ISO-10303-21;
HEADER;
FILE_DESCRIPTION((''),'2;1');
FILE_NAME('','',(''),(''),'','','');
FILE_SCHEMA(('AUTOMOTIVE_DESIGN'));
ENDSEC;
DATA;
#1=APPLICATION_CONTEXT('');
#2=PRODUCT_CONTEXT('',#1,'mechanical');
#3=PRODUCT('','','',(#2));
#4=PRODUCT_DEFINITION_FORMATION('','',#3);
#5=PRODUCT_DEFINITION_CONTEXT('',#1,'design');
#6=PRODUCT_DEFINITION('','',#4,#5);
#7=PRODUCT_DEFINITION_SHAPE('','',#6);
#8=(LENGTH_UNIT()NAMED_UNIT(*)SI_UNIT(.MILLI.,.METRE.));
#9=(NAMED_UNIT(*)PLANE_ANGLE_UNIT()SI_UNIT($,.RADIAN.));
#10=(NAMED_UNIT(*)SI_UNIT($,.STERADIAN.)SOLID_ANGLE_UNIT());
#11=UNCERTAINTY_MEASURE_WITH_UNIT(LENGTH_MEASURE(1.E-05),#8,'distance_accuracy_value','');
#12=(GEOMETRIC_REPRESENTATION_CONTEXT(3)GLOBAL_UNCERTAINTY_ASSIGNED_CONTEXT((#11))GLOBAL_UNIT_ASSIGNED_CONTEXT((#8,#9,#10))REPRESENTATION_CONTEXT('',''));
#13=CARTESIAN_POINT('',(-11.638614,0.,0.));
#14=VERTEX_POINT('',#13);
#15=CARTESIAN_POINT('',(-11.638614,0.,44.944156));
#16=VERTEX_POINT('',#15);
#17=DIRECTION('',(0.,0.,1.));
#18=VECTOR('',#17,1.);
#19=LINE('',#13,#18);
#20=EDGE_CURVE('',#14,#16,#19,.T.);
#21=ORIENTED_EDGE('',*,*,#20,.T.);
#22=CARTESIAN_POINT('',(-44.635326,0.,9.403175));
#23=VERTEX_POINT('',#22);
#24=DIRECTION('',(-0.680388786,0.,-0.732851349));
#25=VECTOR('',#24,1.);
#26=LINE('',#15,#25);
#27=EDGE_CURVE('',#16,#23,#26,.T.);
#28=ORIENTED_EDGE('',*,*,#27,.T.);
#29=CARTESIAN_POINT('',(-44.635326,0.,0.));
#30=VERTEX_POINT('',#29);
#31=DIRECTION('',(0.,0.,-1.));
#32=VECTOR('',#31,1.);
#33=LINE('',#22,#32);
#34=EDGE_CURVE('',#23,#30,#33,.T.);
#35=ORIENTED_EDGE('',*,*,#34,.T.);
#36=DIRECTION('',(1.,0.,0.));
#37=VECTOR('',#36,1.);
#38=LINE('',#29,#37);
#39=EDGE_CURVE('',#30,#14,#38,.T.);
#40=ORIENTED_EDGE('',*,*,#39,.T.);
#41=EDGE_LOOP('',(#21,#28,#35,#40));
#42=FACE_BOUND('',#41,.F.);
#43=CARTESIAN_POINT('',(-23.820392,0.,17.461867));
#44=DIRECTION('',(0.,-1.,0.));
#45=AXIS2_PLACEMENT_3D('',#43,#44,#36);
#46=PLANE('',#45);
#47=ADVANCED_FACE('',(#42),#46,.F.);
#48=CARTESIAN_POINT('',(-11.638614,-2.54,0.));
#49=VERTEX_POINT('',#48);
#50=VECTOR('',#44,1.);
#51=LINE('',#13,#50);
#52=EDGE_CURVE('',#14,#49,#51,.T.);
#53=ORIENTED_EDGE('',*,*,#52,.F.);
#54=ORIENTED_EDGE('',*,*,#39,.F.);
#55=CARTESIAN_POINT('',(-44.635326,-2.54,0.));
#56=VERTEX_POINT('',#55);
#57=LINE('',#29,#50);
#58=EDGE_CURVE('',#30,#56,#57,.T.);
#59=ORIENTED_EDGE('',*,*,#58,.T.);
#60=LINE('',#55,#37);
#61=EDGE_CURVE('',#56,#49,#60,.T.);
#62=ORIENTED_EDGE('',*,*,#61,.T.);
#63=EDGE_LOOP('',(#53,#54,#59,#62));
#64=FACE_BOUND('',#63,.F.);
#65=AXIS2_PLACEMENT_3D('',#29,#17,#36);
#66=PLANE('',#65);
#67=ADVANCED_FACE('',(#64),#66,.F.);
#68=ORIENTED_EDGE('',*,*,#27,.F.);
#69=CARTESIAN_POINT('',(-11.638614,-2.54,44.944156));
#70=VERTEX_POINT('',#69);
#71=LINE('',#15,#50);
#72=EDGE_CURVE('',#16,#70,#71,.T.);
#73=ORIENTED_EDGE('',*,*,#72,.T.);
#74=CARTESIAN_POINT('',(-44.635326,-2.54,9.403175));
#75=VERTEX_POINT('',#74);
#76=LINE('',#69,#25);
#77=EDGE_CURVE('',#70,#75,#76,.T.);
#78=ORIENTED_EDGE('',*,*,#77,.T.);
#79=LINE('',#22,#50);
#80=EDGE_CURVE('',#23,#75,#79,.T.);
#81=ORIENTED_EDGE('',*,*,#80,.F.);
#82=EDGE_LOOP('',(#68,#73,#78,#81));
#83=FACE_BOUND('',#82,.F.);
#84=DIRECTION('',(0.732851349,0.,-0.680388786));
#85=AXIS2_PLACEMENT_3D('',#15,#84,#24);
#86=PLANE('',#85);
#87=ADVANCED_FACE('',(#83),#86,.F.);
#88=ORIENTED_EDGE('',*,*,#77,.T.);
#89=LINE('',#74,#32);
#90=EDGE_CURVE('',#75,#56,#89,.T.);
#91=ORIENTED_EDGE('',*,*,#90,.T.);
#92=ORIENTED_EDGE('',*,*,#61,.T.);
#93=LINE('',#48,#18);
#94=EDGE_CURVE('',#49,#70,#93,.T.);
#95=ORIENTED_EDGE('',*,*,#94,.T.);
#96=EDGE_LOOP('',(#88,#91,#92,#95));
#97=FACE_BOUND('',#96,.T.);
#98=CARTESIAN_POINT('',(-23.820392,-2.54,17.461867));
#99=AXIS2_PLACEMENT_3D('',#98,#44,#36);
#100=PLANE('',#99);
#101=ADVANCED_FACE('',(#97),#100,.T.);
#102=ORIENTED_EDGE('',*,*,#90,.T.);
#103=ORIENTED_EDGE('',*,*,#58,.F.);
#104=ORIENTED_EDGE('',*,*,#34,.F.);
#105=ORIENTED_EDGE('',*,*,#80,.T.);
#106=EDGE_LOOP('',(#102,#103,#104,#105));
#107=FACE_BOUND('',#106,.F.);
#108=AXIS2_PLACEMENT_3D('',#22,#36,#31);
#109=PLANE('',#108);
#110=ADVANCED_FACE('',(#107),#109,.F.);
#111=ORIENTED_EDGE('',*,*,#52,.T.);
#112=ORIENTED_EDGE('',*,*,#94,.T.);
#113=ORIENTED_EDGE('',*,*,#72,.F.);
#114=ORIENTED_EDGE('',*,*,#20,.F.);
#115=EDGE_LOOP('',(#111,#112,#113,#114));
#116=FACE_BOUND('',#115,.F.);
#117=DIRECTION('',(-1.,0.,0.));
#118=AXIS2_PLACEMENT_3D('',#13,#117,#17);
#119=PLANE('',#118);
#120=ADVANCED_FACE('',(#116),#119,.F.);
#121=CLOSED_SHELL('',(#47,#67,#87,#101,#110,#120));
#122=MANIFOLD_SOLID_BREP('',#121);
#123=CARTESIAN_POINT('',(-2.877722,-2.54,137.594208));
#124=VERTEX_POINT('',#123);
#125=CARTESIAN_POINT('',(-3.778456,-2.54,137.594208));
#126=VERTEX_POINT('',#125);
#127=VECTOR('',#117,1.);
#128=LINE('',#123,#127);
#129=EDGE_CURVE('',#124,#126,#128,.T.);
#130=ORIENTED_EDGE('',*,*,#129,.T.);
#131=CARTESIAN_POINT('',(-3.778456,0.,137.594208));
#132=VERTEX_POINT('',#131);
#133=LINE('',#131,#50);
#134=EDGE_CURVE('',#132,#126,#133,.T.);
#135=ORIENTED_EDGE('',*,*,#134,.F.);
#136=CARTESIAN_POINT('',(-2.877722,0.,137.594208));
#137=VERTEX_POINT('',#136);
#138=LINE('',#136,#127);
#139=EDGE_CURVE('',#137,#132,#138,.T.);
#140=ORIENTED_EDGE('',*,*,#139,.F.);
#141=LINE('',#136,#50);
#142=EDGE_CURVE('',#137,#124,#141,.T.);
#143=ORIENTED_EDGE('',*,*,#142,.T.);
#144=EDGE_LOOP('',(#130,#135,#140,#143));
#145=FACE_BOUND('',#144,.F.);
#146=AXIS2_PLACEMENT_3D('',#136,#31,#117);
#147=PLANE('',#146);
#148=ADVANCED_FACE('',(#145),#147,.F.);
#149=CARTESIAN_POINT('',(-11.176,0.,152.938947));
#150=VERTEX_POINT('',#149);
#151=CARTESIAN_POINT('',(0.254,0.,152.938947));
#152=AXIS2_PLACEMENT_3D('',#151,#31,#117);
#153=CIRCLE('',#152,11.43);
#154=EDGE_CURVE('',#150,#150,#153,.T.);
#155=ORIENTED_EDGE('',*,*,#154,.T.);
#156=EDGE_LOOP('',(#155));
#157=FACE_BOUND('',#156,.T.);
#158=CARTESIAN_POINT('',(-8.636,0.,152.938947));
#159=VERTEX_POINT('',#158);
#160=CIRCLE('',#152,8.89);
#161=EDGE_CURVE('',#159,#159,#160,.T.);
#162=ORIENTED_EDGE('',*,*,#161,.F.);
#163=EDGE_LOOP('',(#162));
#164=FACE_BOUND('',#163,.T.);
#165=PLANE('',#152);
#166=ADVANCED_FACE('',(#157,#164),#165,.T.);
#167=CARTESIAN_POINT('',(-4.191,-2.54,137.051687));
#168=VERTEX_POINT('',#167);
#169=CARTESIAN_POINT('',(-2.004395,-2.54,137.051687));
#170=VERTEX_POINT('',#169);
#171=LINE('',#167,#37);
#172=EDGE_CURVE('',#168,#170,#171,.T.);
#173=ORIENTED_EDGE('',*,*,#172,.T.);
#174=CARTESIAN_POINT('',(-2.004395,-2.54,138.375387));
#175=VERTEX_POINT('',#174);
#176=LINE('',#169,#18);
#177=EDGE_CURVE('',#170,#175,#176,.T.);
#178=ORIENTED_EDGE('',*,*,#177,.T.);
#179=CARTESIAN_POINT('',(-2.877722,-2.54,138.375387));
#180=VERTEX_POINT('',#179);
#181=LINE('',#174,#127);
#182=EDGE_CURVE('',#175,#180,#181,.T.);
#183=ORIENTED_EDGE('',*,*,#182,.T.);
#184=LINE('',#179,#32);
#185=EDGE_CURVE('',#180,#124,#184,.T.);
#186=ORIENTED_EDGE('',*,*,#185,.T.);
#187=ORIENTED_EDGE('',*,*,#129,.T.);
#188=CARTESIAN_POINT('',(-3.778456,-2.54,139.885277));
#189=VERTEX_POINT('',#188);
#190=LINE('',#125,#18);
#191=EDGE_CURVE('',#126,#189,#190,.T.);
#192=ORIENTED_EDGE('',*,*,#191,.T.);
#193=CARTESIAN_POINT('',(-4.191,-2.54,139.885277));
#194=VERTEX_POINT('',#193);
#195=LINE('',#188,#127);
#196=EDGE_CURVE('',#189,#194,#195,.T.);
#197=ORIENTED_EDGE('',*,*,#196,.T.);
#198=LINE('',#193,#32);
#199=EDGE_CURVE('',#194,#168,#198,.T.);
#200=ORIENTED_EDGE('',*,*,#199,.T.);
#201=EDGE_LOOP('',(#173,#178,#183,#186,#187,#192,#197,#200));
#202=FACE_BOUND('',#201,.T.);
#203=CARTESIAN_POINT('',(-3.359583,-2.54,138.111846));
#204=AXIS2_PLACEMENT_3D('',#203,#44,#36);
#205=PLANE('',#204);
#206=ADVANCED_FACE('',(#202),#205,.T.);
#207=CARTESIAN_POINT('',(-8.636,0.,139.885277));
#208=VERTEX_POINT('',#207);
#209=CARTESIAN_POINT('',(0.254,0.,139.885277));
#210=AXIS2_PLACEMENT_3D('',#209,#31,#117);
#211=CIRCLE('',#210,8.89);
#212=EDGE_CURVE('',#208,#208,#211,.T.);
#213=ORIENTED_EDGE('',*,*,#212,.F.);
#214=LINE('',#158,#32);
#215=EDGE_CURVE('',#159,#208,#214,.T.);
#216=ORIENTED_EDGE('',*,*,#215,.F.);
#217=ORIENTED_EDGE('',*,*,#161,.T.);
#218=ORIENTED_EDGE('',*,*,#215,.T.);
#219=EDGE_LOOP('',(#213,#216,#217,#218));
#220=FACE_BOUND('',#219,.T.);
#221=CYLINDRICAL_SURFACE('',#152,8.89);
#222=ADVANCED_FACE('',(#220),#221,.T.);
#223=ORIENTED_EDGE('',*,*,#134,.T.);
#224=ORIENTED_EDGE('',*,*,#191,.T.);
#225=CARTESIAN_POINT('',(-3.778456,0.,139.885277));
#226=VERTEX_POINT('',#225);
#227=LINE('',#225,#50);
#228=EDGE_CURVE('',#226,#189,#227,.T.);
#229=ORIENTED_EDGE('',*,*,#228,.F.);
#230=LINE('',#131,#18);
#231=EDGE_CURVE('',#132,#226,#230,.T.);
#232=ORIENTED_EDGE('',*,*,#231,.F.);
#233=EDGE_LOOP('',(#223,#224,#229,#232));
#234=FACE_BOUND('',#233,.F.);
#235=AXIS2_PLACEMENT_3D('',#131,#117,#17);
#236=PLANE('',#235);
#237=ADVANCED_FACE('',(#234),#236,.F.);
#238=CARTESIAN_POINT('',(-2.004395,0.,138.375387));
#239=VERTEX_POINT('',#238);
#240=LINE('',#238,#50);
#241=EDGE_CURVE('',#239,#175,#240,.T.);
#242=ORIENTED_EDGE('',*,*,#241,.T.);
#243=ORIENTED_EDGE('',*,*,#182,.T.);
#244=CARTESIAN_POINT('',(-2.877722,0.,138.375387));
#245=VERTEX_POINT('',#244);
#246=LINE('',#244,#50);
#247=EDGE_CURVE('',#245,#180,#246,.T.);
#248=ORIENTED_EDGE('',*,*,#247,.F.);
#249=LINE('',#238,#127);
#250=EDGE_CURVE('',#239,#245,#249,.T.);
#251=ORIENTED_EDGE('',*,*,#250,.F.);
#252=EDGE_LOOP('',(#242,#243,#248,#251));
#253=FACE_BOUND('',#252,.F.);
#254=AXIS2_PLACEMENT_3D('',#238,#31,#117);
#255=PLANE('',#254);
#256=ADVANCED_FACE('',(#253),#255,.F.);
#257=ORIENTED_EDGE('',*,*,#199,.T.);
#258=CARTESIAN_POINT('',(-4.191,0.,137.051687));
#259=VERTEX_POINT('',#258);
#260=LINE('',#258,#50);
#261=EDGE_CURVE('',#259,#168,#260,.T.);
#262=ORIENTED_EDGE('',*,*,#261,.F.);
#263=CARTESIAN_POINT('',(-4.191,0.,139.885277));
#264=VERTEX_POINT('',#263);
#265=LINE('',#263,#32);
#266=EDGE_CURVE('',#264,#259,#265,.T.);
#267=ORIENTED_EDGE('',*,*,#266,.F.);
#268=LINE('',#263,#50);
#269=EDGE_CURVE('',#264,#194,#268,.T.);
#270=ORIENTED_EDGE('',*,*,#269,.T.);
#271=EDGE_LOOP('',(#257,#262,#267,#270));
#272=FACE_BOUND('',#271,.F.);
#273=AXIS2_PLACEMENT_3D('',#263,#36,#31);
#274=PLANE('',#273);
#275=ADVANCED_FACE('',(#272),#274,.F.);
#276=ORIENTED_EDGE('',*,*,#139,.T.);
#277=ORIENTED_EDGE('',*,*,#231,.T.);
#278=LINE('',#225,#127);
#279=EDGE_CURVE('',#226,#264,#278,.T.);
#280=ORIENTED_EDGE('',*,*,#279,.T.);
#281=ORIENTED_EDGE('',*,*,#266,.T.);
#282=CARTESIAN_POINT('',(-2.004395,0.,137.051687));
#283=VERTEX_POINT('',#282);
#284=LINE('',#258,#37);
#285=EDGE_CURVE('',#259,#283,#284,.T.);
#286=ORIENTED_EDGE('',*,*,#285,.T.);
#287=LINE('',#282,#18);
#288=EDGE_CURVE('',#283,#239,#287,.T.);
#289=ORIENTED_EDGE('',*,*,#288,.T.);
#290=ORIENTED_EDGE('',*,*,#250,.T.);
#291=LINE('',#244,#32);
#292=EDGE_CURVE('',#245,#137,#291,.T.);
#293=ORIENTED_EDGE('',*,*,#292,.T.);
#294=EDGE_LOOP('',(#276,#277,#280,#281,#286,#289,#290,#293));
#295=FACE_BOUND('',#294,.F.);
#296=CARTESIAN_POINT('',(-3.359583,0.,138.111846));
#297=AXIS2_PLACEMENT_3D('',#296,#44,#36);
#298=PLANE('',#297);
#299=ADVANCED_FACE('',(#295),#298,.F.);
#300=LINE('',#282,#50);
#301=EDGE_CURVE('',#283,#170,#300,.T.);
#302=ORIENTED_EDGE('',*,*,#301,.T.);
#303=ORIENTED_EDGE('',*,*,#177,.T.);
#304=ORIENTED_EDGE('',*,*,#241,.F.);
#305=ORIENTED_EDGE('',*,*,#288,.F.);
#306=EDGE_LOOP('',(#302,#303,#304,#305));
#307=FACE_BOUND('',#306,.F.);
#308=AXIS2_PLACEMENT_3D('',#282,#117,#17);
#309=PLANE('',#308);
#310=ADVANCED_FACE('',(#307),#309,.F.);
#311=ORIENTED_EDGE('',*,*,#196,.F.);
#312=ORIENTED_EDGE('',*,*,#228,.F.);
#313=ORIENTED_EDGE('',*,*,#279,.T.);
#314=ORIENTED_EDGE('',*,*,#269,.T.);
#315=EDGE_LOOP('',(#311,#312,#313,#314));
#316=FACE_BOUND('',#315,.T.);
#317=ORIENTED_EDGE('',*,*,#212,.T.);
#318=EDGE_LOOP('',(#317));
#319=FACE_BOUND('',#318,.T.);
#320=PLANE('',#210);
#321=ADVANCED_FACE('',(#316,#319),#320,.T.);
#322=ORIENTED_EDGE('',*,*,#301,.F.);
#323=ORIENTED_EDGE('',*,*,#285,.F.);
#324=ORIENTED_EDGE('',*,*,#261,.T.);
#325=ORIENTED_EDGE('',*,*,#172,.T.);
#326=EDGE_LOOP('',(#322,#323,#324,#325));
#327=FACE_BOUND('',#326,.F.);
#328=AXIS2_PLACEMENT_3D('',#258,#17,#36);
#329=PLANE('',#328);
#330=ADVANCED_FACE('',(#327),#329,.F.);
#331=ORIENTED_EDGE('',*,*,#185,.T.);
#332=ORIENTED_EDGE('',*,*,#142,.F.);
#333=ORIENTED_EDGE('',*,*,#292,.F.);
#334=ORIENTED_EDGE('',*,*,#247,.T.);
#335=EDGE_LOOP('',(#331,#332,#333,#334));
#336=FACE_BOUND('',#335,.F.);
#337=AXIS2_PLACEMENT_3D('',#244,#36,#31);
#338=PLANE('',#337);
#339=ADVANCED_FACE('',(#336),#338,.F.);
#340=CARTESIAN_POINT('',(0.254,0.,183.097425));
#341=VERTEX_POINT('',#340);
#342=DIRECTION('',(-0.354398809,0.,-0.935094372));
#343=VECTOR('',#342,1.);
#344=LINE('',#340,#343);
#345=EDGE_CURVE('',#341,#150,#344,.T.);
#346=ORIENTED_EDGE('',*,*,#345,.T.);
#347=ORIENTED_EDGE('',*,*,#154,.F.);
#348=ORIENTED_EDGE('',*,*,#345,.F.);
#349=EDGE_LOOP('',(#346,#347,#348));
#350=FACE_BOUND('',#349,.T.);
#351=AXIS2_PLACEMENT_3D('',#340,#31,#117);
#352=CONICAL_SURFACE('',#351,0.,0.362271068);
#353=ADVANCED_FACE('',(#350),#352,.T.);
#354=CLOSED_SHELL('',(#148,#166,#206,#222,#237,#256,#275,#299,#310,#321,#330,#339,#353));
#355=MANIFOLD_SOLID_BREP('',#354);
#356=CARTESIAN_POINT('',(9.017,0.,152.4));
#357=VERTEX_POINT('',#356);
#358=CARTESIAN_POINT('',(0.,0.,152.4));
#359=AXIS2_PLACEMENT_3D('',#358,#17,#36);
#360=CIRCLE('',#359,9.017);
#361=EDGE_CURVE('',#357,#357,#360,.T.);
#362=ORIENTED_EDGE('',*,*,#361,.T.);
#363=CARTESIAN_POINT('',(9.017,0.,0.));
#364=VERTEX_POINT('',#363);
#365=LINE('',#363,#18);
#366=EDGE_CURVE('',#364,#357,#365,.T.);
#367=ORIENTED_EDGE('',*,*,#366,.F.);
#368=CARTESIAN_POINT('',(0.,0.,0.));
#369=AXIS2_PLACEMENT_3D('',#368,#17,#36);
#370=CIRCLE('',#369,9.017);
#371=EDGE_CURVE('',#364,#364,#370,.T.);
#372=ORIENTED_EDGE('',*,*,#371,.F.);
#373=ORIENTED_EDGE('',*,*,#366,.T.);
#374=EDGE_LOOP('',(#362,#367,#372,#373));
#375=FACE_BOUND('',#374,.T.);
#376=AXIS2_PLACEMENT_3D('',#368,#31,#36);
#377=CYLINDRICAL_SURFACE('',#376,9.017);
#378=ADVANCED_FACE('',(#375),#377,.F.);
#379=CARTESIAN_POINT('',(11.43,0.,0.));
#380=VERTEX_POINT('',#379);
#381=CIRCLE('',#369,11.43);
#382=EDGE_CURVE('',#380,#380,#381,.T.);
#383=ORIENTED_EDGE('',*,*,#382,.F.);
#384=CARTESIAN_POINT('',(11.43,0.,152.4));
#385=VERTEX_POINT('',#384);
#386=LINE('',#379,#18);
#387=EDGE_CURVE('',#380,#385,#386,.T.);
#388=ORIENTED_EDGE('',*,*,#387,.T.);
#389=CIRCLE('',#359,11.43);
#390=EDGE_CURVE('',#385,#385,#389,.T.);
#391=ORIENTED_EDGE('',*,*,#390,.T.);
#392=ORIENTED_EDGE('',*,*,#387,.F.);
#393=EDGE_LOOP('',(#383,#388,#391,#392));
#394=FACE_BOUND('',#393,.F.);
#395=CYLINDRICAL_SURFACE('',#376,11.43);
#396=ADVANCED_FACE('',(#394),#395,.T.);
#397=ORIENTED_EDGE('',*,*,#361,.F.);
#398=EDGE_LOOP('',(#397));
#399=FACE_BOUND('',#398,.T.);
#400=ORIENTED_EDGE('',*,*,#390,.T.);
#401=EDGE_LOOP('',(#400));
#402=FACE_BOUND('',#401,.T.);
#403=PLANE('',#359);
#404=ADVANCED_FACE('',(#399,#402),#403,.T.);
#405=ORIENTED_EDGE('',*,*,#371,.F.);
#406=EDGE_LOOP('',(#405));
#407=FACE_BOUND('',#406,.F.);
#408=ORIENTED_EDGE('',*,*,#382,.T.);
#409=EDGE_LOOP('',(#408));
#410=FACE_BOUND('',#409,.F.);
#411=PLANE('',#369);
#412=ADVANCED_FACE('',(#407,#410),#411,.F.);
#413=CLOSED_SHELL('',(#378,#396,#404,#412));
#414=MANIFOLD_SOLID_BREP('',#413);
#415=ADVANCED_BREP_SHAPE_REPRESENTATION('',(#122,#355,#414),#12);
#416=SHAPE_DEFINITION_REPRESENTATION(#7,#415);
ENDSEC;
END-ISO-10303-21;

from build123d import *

# Parameters (mm, degrees)
F0_R     = 11.43
F0_R_2   = 9.017
F1_DEPTH = 152.4
F3_DEPTH = 2.54
F6_DEPTH = 2.54


with BuildPart() as f1:
    # F0 (on Top) → F1 (new body)
    with BuildSketch(Plane.XY):
        Circle(F0_R)
        Circle(F0_R_2, mode=Mode.SUBTRACT)
    extrude(amount=F1_DEPTH)


with BuildPart() as f3:
    # F2 (on Front) → F3 (new body)
    with BuildSketch(Plane.XZ):
        Polygon((-44.635326, 0), (-11.638614, 0), (-11.638614, 44.944156), (-44.635326, 9.403175), align=None)
    extrude(amount=F3_DEPTH)


with BuildPart() as f5:
    # F4 (on Front) → F5 (revolve)
    with BuildSketch(Plane.XZ):
        Polygon((0.254, 139.885277), (0.254, 183.097425), (-11.176, 152.938947), (-8.636, 152.938947), (-8.636, 139.885277), (-4.191, 139.885277), (-3.778456, 139.885277), align=None)
    revolve(axis=Axis((0.254, 0, 161.491351), (0, 0, -1)))

    # F4 (on Front) → F6 (join)
    with BuildSketch(Plane.XZ):
        Polygon((-3.778456, 137.594208), (-3.778456, 139.885277), (-4.191, 139.885277), (-4.191, 137.051687), (-2.004395, 137.051687), (-2.004395, 138.375387), (-2.877722, 138.375387), (-2.877722, 137.594208), align=None)
    extrude(amount=F6_DEPTH)


solid = Compound([f1.part, f3.part, f5.part])
